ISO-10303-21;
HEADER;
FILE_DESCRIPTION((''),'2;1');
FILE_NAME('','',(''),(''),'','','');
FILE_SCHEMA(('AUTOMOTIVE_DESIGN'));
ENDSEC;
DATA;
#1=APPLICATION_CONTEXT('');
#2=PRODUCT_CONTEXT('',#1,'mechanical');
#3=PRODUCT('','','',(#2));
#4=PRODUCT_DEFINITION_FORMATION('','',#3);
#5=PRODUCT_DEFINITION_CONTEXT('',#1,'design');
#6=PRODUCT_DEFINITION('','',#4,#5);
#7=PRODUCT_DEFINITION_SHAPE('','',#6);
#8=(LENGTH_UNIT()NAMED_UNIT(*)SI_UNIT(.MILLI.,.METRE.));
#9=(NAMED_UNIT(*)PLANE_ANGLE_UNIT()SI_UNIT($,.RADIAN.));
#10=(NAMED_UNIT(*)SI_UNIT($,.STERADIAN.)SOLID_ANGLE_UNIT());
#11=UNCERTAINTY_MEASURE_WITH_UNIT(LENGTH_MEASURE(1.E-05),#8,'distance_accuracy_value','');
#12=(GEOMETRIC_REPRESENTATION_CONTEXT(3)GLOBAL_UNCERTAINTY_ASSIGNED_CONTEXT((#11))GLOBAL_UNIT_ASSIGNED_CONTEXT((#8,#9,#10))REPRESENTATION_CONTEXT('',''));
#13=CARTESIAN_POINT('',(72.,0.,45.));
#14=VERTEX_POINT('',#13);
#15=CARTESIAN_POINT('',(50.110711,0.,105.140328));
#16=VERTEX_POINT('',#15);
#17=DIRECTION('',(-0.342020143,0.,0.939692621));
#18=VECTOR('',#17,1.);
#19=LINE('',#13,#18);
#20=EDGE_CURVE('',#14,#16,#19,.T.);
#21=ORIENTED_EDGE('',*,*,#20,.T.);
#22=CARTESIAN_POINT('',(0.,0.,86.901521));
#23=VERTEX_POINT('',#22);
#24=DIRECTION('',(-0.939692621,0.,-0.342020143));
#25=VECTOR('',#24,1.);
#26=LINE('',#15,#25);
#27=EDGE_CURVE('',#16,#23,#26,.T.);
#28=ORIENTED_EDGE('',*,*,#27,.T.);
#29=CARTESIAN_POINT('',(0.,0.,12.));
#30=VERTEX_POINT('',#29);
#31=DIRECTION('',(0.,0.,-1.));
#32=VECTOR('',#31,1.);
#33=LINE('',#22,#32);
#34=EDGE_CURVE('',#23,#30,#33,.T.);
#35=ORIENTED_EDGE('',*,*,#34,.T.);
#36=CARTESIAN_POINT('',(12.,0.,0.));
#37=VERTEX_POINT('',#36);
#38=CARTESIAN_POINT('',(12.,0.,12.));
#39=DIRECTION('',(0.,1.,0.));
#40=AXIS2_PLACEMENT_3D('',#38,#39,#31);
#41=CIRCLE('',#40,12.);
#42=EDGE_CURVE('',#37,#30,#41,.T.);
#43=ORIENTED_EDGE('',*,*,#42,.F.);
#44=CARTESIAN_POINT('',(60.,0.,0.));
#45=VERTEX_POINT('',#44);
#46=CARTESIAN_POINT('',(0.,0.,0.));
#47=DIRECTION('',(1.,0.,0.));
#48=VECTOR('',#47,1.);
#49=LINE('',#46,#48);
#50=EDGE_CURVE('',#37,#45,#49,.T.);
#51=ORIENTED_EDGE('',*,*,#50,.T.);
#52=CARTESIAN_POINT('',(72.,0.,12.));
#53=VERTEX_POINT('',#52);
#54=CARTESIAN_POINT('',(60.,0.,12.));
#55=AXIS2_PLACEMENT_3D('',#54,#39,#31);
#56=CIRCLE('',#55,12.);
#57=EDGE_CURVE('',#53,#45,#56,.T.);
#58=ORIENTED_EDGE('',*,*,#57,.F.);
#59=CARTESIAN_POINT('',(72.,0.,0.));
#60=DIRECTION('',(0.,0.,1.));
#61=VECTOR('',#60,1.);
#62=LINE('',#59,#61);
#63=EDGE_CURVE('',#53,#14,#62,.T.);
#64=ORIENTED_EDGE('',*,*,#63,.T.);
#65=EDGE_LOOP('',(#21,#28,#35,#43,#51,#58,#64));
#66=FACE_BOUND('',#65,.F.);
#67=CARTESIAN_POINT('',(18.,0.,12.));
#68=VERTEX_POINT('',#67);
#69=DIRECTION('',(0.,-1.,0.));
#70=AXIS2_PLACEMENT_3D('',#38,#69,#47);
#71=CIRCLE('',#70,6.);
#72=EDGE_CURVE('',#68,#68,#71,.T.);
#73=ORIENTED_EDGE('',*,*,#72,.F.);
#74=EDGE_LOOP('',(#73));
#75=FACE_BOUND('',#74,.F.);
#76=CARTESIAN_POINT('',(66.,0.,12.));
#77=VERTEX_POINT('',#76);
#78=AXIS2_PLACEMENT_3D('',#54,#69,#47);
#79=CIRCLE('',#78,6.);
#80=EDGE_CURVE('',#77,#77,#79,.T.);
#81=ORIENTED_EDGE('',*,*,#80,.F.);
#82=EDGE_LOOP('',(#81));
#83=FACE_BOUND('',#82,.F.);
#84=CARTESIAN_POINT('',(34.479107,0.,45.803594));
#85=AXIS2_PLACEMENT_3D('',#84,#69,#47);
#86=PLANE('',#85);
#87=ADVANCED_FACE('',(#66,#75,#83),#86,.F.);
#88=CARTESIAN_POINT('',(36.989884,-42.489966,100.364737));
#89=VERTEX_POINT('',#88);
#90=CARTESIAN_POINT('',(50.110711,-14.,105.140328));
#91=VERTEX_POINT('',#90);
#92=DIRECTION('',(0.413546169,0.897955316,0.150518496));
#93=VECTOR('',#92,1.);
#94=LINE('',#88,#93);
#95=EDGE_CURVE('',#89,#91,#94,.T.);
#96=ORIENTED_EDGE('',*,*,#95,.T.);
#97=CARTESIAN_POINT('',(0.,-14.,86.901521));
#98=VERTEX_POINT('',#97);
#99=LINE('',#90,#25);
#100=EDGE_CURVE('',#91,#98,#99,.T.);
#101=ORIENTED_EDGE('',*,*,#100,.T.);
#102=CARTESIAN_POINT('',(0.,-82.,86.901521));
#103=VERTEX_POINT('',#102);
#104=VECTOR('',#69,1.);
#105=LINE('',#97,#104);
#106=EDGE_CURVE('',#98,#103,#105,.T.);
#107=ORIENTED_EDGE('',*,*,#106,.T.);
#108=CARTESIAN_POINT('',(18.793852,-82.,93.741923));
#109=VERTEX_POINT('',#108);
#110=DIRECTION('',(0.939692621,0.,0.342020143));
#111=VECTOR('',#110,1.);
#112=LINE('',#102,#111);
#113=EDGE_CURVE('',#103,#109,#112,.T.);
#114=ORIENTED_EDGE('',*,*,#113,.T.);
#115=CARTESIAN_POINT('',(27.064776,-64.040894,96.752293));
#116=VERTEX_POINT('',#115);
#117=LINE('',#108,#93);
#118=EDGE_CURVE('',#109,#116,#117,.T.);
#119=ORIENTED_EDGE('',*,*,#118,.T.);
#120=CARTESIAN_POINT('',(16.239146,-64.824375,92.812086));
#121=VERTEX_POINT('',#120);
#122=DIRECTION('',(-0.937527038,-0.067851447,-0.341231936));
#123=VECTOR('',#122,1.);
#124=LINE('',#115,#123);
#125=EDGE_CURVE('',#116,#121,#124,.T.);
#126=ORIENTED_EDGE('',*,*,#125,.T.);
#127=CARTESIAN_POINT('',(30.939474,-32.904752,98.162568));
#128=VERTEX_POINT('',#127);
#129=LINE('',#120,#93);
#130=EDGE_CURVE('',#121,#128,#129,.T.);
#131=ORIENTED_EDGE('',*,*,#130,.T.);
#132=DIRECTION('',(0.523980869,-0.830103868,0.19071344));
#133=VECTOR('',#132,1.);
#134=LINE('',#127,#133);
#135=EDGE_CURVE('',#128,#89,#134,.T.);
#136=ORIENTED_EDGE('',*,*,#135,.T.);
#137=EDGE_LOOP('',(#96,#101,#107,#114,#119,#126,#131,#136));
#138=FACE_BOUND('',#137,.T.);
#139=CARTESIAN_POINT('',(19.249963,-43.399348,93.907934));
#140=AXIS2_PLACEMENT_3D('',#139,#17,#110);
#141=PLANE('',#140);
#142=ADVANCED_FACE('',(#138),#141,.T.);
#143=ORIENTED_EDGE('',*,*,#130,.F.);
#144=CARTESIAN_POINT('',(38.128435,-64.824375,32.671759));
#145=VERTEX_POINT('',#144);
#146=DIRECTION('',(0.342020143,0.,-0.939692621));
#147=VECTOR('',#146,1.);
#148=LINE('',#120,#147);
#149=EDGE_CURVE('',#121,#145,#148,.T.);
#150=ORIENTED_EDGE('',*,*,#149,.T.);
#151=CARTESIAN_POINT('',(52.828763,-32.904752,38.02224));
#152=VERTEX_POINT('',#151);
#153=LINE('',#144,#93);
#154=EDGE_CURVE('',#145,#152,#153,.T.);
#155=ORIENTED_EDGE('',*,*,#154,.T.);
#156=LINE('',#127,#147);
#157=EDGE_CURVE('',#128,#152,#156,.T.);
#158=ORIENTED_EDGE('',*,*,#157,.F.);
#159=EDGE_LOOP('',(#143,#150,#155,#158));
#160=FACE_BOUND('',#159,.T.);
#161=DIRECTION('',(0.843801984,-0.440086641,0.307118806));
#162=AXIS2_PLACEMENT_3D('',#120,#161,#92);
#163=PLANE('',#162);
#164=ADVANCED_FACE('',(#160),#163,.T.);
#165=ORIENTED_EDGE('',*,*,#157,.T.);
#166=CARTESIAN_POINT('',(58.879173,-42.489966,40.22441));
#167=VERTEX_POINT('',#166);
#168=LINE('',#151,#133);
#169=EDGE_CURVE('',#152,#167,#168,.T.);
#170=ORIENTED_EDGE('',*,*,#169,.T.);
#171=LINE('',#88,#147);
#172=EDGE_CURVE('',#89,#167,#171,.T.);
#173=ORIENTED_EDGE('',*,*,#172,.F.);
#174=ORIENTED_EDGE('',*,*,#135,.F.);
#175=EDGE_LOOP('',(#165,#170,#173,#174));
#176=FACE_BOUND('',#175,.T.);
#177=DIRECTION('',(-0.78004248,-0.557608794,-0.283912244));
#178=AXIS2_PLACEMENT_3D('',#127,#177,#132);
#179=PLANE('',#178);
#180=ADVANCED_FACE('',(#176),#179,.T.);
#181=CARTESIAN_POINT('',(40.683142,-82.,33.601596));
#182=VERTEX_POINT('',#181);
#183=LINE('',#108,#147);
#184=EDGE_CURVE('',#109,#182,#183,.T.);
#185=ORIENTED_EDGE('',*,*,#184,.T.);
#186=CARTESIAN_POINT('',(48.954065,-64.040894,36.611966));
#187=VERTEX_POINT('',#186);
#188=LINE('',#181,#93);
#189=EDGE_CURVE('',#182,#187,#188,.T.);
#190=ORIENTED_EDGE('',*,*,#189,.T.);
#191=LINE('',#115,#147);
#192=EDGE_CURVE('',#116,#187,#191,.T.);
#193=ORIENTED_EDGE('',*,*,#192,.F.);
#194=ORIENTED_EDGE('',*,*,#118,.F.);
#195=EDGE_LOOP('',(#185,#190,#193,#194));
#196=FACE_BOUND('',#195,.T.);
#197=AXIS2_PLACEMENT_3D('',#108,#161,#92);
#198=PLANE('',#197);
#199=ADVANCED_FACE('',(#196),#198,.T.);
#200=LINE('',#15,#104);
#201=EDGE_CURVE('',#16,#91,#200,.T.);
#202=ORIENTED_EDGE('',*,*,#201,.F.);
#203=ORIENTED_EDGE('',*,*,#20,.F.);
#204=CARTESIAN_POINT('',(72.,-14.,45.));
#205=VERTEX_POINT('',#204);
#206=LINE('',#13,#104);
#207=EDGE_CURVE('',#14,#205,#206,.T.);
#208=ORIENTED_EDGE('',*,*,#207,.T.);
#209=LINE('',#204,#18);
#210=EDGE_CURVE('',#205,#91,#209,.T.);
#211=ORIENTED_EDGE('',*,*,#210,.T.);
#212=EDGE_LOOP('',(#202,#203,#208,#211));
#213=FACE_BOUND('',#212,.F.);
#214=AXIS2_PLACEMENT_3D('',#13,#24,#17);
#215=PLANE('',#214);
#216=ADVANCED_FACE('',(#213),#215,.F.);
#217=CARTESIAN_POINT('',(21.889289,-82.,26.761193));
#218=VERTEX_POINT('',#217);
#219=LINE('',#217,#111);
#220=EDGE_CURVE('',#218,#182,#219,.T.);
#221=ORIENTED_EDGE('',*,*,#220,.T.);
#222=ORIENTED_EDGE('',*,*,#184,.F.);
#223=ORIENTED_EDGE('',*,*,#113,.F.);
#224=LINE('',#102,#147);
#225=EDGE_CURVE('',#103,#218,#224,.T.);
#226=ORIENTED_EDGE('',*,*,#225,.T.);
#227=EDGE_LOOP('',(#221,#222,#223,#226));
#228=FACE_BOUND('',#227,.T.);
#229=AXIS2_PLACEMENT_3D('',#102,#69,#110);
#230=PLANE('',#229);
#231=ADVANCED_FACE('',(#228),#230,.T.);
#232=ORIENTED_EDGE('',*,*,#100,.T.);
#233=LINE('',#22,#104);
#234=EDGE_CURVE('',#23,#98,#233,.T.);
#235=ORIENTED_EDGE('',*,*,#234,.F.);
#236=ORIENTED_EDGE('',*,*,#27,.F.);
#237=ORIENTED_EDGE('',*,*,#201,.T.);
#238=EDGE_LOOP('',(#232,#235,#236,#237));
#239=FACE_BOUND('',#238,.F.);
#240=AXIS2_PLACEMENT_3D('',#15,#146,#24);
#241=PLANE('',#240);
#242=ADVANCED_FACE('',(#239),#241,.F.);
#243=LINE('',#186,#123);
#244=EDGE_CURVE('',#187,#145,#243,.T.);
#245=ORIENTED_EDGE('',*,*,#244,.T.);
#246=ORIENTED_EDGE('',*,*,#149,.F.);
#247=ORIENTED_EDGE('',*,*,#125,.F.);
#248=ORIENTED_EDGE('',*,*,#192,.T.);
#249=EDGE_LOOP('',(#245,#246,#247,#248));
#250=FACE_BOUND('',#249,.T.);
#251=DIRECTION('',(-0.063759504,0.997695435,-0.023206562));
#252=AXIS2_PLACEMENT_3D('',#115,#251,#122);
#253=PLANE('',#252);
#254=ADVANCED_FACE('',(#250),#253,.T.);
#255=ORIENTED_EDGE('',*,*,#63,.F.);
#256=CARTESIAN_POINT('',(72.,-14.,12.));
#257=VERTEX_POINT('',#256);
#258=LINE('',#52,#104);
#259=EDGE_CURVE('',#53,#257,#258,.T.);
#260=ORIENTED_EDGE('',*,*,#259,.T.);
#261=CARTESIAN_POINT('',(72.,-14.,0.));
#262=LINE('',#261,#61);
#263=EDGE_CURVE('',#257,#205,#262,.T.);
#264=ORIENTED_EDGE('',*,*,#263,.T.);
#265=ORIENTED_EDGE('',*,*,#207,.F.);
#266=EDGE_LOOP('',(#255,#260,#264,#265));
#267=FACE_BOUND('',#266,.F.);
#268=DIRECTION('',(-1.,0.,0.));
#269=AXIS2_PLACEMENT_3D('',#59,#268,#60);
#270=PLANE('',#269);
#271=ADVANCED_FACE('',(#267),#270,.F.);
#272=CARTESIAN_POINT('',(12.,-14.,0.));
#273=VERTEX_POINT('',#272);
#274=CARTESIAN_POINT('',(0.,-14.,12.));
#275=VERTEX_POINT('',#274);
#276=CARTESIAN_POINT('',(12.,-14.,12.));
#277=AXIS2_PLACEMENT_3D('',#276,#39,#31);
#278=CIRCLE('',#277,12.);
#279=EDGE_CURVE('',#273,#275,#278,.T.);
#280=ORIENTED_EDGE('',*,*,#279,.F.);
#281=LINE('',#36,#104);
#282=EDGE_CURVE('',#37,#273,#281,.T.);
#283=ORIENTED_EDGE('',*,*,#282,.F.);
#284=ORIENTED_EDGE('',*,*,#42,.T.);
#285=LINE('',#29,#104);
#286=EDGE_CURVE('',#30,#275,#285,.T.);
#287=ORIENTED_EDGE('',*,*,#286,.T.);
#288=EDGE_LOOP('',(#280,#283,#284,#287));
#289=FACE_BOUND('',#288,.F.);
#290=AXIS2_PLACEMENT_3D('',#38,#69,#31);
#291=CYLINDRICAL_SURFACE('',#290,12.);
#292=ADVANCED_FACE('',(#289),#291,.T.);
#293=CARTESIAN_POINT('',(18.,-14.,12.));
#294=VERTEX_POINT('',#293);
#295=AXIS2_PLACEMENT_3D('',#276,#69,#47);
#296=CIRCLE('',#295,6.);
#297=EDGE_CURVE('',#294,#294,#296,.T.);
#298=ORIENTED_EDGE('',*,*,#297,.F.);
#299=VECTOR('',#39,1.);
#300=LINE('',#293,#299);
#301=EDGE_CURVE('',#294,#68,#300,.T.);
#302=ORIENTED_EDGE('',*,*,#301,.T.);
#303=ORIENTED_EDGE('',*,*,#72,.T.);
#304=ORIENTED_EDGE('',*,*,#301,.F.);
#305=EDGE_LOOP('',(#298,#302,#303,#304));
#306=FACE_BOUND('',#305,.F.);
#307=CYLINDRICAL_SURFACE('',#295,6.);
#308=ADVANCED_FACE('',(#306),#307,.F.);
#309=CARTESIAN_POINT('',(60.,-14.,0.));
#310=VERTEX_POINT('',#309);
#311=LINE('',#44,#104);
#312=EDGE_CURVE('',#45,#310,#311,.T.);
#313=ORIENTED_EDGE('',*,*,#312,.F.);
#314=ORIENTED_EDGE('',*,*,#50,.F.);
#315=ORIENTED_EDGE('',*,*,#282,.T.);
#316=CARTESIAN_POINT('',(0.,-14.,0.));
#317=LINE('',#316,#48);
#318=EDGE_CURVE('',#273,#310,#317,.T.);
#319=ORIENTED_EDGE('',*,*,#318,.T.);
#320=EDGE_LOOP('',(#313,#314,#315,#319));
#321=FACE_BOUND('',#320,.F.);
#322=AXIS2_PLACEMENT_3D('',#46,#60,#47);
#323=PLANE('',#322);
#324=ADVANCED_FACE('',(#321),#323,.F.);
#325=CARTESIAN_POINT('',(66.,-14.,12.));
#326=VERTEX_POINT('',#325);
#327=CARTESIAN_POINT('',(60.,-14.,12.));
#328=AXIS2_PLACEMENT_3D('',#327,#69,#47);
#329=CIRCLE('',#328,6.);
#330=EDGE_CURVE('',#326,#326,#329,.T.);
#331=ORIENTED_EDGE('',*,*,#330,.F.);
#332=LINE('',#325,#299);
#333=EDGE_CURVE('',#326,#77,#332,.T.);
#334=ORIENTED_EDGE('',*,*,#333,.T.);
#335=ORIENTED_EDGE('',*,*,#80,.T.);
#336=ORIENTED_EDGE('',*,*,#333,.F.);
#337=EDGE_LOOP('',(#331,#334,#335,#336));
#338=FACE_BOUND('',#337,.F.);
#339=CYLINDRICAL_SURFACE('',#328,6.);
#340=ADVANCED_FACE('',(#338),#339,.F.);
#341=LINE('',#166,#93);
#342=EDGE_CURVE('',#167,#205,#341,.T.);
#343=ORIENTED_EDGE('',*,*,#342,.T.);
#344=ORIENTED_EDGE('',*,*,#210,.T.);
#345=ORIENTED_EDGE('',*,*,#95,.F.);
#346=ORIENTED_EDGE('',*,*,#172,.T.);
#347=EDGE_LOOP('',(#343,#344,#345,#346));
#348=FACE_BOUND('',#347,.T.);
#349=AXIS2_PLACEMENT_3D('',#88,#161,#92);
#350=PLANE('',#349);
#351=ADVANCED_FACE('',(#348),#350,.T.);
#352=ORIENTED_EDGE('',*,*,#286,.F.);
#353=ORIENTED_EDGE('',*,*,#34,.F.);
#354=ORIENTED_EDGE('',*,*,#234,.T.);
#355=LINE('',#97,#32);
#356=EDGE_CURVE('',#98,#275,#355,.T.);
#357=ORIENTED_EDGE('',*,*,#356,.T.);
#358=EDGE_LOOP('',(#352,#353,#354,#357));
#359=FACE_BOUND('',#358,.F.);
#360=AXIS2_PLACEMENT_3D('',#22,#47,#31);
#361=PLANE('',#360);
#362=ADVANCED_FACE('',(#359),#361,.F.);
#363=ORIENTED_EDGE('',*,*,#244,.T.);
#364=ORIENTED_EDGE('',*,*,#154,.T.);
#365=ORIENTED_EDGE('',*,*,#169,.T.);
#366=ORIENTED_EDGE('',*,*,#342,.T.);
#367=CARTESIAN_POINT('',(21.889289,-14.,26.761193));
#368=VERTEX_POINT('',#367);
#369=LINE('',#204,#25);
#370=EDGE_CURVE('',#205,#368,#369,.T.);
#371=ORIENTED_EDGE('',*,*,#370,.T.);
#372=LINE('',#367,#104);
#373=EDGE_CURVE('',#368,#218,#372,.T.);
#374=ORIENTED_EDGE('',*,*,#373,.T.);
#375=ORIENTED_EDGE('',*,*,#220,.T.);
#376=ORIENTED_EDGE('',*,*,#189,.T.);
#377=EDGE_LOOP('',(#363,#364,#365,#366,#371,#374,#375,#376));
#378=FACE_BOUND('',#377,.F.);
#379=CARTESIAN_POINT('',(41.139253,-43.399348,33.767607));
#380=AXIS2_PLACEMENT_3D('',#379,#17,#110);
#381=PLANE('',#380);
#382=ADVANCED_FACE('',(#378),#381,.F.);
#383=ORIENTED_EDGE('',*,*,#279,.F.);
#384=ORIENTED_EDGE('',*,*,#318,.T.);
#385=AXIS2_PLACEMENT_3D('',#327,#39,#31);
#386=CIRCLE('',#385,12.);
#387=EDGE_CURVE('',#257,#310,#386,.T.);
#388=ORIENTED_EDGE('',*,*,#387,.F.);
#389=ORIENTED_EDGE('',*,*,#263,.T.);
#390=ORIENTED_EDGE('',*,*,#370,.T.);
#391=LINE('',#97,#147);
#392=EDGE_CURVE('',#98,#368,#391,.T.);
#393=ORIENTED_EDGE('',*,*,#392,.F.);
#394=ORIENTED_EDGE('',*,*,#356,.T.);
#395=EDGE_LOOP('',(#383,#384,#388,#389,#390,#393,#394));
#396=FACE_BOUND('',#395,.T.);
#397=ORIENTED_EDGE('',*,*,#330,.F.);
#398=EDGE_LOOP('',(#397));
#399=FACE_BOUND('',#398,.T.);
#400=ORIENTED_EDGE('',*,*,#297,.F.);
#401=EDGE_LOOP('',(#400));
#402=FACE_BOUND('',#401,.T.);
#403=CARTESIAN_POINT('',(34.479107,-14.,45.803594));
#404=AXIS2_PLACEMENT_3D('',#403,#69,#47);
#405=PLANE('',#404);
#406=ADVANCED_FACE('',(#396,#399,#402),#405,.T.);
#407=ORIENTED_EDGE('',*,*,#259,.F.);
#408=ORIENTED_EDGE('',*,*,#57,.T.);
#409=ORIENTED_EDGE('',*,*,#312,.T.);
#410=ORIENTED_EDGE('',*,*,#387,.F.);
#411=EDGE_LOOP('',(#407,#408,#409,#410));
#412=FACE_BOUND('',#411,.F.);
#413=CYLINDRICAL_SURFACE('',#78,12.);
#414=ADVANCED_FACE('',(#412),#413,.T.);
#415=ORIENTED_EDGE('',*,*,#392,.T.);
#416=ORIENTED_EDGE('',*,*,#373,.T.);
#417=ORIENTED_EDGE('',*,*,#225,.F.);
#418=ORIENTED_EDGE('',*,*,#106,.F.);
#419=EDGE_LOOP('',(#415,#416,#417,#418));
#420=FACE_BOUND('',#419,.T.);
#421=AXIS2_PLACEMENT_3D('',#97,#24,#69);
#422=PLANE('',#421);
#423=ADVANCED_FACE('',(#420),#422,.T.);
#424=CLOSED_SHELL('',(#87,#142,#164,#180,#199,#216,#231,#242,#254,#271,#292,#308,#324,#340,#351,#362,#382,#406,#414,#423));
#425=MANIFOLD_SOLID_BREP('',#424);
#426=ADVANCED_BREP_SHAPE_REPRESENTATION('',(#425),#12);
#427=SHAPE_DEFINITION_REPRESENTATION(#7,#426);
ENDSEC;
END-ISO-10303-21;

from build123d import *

# Parameters (mm, degrees)
F1_DEPTH = 14
F3_DEPTH = 64
F4_R     = 12
F5_R     = 6
F6_DEPTH = 14


with BuildPart() as f1:
    # F0 (on Front) → F1 (new body)
    with BuildSketch(Plane.XZ):
        Polygon((0, 86.9015205713), (0, 0), (72, 0), (72, 45), (50.1107108272, 105.1403277303), align=None)
    extrude(amount=F1_DEPTH)

    # F2 (on face) → F3 (join, through all)
    with BuildSketch(Plane(origin=(-27.9296103431, 0, 76.7359737518), x_dir=(0.9396926208, 0, 0.3420201433), z_dir=(-0.3420201433, 0, 0.9396926208))):
        Polygon((83.0487751462, -14), (29.722070521, -14), (29.722070521, -82), (49.722070521, -82), (58.5238033349, -64.0408936895), (47.0034087749, -64.8243747139), (62.647170961, -32.9047522785), (69.0858827116, -42.4899661168), align=None)
    extrude(amount=-F3_DEPTH)

    # F4
    f4_edges = [f1.edges().sort_by_distance(p)[0] for p in [
        (0, -7, 0),
        (72, -7, 0),
    ]]
    fillet(f4_edges, radius=F4_R)

    # F5 (on face) → F6 (cut, through all)
    with BuildSketch(Plane.XZ.offset(14)):
        with Locations((12, 12)):
            Circle(F5_R)
        with Locations((60, 12)):
            Circle(F5_R)
    extrude(amount=-F6_DEPTH, mode=Mode.SUBTRACT)


solid = f1.part
